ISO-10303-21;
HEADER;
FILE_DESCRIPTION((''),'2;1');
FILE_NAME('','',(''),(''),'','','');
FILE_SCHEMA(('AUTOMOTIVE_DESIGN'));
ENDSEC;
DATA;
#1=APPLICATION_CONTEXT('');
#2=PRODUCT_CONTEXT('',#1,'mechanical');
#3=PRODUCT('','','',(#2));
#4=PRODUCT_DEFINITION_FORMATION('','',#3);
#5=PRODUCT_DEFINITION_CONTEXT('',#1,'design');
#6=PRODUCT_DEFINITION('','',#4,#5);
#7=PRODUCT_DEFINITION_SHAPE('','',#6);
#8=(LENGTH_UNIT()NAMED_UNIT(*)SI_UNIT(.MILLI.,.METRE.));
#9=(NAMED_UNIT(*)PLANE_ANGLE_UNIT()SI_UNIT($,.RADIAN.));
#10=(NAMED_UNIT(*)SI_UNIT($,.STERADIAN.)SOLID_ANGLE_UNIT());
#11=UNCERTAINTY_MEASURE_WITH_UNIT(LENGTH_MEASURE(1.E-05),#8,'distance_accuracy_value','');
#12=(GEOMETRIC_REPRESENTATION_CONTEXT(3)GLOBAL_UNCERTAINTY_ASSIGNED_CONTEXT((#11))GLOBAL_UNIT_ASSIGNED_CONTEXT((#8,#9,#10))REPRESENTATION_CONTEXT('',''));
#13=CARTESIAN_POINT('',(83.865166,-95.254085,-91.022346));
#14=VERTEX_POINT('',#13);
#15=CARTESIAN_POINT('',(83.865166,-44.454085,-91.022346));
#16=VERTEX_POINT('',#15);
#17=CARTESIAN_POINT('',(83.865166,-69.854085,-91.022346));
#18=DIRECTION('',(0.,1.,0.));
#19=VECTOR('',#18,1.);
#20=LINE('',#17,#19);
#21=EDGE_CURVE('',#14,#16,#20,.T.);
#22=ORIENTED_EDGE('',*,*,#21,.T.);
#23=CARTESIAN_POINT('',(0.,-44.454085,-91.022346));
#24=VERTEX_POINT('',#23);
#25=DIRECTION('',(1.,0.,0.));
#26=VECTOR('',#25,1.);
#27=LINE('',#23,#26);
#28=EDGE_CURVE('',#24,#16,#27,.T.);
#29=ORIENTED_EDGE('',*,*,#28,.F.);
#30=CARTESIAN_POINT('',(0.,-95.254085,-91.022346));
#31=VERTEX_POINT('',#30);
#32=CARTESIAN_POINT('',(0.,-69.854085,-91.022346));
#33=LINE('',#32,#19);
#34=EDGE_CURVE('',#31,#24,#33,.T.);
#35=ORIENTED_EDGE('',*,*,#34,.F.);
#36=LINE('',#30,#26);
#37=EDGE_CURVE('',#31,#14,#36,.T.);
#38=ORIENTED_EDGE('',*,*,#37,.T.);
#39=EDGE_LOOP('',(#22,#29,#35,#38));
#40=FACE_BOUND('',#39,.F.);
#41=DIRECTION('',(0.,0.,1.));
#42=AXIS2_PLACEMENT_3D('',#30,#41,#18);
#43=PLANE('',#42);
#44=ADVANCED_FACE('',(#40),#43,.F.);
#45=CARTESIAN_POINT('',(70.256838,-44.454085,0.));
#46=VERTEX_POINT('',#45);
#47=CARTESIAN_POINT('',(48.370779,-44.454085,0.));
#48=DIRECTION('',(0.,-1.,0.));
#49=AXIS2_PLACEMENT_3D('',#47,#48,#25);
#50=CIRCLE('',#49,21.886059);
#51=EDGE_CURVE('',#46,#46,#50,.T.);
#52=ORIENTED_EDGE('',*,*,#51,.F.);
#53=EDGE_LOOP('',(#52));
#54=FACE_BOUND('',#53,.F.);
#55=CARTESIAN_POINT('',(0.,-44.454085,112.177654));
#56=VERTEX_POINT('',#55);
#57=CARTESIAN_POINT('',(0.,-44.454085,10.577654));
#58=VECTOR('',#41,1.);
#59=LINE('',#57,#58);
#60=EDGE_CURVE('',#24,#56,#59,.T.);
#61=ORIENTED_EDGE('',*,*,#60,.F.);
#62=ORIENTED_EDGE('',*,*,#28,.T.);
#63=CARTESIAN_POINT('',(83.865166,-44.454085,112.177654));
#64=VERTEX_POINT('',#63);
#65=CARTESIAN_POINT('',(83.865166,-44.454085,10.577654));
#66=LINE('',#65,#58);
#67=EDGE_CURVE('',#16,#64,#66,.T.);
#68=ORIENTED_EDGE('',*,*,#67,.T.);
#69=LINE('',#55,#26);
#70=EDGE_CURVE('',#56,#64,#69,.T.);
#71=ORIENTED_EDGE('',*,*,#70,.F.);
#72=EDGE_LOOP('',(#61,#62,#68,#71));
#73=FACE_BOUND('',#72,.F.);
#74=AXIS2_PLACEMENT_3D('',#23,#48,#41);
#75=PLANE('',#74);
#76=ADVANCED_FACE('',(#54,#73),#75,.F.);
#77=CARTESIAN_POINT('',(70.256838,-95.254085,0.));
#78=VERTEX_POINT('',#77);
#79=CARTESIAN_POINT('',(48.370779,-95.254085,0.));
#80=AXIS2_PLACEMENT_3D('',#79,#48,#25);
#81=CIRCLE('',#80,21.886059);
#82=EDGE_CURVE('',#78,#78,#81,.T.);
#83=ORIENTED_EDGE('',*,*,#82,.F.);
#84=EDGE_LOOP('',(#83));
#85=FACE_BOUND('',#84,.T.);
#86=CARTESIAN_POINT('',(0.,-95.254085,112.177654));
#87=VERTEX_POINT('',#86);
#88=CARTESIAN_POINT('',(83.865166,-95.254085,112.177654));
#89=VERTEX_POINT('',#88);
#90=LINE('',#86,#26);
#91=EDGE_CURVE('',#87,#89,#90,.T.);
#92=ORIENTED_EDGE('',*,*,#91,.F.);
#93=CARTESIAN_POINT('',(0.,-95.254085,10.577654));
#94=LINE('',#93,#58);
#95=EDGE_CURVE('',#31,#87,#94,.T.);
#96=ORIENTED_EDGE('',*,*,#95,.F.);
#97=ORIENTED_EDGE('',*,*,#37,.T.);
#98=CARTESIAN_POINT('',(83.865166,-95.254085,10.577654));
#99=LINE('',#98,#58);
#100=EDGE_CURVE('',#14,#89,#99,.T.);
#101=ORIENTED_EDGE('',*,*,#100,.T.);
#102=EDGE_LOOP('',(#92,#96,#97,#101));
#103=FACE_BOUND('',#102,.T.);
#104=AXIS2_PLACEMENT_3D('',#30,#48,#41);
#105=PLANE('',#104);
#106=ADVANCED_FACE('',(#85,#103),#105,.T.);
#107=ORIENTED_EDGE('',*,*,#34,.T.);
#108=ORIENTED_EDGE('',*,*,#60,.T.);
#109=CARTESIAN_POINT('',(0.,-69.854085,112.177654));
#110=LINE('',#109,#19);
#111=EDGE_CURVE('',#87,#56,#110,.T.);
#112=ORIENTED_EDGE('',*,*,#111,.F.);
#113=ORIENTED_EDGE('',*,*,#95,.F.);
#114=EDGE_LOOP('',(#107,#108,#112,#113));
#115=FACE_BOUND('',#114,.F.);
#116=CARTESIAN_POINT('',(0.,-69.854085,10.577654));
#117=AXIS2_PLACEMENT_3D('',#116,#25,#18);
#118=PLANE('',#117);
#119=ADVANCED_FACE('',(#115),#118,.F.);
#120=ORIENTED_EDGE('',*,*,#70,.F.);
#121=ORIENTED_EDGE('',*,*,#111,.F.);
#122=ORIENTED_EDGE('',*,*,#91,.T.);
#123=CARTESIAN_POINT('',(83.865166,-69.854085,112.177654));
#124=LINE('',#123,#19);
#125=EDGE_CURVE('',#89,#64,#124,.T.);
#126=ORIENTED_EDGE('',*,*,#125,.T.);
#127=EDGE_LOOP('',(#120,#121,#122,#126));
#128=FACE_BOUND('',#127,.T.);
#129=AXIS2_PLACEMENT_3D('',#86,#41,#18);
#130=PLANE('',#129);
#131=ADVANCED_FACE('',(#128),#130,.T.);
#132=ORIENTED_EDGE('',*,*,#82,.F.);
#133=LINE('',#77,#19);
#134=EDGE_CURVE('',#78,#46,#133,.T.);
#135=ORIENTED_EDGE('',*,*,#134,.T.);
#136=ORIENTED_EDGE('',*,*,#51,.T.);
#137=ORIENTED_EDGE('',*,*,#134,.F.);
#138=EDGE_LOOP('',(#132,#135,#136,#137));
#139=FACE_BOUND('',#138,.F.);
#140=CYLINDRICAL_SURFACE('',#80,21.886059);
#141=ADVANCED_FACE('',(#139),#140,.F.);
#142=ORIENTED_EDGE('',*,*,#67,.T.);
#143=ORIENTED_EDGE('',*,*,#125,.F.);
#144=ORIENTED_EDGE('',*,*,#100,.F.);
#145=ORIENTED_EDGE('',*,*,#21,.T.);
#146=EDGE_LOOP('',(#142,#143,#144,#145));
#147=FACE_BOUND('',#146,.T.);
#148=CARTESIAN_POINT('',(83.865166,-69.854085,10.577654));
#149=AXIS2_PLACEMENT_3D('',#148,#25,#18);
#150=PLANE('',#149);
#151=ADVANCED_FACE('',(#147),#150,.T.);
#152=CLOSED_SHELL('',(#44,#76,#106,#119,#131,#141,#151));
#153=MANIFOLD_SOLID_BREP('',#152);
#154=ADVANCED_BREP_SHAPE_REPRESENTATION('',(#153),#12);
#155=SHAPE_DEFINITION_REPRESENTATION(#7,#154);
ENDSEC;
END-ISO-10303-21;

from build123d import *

# Parameters (mm, degrees)
F0_W     = 50.8
F0_H     = 203.2
F1_DEPTH = 83.865166
F2_R     = 21.886059
F3_DEPTH = 50.801


with BuildPart() as f1:
    # F0 (on Right) → F1 (new body)
    with BuildSketch(Plane.YZ):
        with Locations((-69.854085, 10.577654)):
            Rectangle(F0_W, F0_H)
    extrude(amount=F1_DEPTH)

    # F2 (on face) → F3 (cut, through all)
    with BuildSketch(Plane.XZ.offset(95.254085)):
        with Locations((48.370779, 0)):
            Circle(F2_R)
    extrude(amount=-F3_DEPTH, mode=Mode.SUBTRACT)


solid = f1.part
